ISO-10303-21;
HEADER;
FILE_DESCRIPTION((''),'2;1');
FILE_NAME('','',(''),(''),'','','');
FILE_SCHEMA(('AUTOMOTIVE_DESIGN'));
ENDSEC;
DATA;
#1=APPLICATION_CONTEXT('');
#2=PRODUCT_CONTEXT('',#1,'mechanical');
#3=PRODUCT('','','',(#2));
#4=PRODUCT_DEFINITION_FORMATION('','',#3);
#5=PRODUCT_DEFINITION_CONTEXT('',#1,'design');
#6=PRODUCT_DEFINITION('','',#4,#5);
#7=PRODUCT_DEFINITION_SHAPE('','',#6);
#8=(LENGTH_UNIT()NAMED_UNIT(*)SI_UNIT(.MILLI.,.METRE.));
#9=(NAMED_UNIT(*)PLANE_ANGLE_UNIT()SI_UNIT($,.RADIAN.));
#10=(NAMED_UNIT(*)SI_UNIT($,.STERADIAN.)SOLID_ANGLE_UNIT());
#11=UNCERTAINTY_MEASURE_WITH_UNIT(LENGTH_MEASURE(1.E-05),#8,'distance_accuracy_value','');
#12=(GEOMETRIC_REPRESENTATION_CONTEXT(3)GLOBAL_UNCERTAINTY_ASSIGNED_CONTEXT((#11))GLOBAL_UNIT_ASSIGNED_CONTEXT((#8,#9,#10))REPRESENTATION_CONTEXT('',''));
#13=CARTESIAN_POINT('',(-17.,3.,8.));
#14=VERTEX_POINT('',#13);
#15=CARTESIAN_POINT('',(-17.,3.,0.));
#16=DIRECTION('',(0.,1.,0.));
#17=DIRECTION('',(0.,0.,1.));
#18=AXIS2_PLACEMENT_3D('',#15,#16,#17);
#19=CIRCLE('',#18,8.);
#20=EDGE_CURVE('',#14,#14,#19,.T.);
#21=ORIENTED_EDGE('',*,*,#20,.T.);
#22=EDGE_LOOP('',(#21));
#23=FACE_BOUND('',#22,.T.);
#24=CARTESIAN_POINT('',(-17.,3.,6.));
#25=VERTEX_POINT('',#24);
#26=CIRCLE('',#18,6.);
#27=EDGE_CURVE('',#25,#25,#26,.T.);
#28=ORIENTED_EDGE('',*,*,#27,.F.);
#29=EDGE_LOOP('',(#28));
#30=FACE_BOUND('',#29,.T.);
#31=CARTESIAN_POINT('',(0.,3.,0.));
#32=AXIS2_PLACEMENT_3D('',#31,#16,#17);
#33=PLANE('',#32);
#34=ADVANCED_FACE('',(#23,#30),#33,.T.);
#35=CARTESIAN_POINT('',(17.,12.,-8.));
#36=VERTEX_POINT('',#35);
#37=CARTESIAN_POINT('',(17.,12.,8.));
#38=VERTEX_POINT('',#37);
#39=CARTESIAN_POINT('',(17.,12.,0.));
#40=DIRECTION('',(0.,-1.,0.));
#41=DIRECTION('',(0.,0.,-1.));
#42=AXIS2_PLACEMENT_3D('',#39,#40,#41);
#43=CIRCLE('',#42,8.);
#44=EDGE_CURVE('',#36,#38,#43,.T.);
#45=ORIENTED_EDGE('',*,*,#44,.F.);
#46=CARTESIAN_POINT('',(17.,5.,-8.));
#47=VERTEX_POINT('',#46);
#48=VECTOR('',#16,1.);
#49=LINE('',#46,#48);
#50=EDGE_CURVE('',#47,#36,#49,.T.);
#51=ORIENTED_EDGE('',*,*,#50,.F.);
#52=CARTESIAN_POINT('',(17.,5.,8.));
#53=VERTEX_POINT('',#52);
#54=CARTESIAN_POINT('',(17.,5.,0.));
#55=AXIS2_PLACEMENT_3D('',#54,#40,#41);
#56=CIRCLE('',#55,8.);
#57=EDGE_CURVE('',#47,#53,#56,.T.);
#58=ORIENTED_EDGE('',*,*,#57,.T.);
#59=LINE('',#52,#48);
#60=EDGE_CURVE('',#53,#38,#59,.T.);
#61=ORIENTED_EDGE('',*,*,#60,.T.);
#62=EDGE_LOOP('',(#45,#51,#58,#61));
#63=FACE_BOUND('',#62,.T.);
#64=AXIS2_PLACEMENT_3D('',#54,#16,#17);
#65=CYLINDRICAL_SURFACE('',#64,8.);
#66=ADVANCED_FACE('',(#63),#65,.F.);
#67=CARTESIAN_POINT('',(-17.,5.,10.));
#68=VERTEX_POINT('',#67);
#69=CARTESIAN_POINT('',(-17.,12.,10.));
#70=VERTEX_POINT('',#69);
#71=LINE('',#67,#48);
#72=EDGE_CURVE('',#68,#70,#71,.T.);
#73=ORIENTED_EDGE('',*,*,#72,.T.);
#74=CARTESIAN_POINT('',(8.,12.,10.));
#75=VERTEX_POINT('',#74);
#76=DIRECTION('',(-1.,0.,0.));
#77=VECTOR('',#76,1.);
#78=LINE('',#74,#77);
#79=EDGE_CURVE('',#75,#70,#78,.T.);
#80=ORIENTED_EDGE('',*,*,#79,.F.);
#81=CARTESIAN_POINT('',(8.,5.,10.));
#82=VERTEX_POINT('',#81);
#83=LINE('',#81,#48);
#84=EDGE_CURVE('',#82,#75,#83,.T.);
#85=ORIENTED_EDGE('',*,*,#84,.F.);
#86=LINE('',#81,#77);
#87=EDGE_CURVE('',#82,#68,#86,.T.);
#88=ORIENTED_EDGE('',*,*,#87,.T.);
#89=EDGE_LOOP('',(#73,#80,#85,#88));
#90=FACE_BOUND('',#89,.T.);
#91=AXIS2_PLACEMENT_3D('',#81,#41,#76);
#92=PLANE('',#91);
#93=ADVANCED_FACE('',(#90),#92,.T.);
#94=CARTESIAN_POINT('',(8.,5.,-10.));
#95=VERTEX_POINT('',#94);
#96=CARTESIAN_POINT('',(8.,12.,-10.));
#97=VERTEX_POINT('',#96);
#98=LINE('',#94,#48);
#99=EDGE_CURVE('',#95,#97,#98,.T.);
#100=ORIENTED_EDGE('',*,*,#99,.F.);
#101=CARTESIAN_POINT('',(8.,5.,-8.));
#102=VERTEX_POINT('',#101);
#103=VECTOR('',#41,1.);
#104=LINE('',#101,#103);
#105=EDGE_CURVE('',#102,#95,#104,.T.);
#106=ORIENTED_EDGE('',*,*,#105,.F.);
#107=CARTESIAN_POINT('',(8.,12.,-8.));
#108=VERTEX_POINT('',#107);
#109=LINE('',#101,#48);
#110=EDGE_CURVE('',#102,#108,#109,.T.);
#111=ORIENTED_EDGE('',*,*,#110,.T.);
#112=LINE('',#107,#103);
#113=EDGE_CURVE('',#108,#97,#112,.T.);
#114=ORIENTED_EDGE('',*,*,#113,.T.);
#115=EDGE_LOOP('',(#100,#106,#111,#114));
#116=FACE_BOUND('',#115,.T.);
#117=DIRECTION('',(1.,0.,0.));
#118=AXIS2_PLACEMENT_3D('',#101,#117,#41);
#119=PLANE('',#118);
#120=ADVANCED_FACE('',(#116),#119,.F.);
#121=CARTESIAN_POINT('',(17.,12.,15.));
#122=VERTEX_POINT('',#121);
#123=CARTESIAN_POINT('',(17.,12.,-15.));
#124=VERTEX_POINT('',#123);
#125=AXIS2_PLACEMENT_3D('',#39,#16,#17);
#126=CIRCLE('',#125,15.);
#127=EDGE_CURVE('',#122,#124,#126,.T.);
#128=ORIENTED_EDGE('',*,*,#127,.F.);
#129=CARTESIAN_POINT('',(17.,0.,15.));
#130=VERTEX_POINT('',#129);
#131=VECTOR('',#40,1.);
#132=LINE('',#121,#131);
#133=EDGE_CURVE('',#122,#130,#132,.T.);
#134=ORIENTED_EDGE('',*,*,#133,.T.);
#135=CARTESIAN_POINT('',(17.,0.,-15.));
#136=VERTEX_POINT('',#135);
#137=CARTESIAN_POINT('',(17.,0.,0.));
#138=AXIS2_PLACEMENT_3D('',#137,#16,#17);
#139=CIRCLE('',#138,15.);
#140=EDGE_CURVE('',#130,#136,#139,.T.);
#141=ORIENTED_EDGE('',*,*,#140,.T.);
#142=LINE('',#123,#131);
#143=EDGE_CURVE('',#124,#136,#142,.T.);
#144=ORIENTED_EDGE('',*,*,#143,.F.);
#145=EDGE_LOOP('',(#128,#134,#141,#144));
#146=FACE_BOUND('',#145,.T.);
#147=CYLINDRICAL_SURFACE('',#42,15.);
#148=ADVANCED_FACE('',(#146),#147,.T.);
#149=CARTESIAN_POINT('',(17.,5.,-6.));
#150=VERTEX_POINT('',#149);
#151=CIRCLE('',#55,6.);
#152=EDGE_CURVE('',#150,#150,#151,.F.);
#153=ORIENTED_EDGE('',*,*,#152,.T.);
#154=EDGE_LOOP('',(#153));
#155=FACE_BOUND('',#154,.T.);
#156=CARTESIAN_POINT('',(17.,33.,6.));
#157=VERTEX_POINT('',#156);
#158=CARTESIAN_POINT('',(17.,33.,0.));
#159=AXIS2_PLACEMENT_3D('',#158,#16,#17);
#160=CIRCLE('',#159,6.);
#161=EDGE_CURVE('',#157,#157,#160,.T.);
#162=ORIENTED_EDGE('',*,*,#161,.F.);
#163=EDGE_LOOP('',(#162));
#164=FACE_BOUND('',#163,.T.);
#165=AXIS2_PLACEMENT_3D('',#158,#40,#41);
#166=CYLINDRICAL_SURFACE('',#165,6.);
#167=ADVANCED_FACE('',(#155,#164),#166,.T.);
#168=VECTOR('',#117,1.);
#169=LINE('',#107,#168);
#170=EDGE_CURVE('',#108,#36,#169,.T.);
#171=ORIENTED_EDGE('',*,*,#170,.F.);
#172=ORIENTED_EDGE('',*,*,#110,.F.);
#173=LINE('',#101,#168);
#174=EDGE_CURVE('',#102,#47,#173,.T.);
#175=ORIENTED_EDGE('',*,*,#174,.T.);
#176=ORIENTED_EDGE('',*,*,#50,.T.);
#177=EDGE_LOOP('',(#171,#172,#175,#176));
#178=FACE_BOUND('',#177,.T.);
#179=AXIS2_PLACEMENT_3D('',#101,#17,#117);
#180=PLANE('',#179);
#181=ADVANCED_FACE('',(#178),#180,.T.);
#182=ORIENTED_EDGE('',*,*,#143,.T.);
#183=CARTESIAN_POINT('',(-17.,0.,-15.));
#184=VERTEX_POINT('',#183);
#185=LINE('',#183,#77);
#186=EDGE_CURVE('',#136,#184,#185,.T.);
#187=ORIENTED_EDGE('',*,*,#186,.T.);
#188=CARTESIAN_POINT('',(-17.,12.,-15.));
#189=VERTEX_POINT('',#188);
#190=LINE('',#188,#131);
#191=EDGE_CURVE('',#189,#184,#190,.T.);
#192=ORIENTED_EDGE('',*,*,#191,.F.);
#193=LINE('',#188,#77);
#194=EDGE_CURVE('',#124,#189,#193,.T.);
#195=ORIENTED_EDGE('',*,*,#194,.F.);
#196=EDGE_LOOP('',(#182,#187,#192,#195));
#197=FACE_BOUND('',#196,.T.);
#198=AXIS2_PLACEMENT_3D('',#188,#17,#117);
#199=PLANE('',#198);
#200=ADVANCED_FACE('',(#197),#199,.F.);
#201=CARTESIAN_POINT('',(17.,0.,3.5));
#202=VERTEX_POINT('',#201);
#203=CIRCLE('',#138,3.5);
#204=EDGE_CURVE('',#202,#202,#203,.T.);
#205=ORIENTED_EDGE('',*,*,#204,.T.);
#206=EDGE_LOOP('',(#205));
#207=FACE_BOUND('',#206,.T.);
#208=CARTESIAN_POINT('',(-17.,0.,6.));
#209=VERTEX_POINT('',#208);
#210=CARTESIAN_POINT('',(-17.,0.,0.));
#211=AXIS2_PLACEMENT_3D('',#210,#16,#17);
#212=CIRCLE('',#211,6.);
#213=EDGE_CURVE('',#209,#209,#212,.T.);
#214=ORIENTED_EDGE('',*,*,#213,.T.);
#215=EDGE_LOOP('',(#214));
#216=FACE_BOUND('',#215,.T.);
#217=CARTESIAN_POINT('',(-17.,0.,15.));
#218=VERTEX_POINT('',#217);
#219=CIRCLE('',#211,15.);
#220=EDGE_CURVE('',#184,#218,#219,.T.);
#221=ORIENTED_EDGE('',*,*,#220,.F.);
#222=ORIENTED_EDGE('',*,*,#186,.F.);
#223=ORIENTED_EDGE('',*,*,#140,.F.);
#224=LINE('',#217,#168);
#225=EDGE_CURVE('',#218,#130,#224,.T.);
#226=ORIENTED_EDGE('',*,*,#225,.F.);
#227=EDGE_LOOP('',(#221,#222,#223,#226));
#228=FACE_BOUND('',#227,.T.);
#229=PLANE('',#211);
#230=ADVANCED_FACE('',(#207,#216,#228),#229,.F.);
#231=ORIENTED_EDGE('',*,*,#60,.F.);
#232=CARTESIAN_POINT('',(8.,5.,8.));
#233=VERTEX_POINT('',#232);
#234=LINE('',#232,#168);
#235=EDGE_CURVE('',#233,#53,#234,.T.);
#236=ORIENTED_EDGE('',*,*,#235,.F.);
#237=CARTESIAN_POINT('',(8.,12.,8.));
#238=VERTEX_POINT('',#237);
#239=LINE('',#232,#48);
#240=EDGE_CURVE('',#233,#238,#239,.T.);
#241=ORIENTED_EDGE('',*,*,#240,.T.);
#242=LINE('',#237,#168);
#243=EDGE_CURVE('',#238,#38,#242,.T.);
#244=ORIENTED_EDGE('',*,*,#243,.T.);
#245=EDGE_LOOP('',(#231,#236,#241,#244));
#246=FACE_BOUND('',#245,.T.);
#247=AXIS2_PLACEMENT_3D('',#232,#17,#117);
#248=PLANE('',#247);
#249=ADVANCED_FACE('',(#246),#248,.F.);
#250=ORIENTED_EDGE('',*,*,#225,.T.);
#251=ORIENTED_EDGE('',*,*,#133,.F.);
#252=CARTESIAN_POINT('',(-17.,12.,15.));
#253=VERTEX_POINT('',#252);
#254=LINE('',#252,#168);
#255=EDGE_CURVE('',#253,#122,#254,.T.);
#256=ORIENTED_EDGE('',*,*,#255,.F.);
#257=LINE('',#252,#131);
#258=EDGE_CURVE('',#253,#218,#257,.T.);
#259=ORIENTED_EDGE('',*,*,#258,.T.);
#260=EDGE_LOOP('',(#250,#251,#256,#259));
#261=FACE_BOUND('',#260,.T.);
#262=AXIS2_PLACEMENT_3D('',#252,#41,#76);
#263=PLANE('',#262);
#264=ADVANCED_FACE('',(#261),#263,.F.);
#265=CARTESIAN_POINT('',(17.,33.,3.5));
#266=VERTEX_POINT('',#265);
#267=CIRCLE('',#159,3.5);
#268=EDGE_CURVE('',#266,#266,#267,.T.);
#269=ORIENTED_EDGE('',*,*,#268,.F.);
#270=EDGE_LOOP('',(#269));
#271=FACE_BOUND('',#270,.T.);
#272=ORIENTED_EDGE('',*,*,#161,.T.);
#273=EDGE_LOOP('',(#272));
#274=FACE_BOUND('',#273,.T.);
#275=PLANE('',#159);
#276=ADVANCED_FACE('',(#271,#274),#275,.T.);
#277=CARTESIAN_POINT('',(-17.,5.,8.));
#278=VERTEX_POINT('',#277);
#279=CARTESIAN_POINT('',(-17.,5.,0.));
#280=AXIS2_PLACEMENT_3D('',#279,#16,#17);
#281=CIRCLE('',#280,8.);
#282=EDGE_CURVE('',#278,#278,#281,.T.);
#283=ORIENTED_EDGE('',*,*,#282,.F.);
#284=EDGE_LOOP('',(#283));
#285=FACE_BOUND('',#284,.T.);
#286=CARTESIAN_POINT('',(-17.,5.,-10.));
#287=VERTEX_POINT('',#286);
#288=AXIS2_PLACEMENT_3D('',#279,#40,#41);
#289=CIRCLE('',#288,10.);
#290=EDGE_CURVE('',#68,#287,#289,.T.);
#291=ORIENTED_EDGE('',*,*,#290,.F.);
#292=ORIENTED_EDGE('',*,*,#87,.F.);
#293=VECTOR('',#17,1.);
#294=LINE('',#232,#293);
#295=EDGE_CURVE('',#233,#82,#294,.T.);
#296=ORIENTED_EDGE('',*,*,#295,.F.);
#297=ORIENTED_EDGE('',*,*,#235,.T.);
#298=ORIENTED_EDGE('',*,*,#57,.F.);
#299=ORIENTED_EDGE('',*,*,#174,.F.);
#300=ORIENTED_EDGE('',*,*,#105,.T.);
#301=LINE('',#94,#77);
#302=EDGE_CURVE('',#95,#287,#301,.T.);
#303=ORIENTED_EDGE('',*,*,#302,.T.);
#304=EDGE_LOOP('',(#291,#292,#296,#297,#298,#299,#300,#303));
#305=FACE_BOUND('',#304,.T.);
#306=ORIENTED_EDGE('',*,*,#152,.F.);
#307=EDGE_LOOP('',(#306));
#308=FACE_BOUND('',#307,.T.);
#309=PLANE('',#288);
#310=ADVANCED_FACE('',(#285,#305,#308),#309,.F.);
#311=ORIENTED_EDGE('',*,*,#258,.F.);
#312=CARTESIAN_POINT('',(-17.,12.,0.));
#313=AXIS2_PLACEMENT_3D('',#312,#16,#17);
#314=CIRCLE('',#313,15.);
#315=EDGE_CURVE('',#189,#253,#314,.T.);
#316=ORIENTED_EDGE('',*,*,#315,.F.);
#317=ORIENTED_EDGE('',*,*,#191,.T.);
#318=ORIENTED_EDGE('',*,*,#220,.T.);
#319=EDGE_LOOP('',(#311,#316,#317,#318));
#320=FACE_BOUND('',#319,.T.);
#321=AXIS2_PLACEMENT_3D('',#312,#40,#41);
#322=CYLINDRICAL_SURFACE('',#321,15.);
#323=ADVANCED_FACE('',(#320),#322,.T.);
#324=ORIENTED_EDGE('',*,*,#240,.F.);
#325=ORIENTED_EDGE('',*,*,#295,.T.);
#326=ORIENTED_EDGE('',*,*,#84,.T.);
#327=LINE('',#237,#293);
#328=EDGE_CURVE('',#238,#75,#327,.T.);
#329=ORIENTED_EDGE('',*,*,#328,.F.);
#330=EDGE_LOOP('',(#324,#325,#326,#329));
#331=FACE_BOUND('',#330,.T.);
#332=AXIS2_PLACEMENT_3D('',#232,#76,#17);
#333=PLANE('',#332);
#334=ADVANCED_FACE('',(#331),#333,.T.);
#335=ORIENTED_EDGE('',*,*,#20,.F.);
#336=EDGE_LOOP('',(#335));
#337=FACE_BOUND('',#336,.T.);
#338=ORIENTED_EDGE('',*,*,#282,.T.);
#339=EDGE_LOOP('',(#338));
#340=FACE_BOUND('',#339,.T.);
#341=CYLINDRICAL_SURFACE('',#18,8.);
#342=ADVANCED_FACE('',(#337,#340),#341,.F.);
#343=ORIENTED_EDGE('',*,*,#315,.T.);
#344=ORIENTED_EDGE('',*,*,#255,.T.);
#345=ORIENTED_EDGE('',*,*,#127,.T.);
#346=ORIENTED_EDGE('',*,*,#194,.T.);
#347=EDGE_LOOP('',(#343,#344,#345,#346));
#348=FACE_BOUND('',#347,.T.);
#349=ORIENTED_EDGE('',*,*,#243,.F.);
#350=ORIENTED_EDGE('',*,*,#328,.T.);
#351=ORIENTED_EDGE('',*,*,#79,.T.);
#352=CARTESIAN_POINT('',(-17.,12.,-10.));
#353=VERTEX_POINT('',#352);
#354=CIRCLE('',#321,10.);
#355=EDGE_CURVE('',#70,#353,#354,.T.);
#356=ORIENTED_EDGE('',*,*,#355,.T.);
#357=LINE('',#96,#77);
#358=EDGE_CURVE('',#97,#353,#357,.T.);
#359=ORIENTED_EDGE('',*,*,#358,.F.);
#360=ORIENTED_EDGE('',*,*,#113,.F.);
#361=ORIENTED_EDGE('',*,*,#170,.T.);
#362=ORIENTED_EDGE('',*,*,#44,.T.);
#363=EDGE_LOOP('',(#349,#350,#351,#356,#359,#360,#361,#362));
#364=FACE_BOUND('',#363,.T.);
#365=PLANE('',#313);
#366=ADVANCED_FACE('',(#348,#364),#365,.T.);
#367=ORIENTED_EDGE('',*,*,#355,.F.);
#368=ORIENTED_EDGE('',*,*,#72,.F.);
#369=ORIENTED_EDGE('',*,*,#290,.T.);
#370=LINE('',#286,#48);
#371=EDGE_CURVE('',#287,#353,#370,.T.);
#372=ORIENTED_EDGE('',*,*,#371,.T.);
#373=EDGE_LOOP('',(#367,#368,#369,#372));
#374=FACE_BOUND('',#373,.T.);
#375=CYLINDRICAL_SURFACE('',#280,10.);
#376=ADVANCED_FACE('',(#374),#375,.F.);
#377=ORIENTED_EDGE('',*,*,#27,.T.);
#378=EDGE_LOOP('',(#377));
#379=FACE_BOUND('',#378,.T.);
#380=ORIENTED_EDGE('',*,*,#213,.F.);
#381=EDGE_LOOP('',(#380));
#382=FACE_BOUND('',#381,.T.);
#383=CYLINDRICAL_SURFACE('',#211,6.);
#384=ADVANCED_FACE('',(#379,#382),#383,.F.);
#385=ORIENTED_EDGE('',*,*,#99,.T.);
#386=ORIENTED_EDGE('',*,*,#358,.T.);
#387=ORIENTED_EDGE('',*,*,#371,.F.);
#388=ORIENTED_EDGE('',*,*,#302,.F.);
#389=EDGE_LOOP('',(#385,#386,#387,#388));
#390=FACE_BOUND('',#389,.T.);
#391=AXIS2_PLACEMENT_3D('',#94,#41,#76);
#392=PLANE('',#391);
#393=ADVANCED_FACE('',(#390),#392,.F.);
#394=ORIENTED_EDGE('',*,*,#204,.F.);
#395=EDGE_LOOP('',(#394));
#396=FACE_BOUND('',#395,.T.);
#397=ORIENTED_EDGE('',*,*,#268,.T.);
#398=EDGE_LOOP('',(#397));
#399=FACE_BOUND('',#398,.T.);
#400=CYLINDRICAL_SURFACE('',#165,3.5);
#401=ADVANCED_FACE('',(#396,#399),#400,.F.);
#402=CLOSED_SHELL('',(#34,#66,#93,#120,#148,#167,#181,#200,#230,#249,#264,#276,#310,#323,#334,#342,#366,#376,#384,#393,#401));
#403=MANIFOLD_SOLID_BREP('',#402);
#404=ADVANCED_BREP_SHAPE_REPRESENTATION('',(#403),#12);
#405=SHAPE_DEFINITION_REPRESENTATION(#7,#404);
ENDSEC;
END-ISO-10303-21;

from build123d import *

# Parameters (mm, degrees)
BOSS_EXTRUDE1_DEPTH = 12
CUT_EXTRUDE1_DEPTH  = 7
SKETCH3_R           = 6
SKETCH3_R_2         = 3.5
BOSS_EXTRUDE2_DEPTH = 28
CUT_EXTRUDE2_START  = -28
SKETCH4_R           = 3.5
CUT_EXTRUDE2_DEPTH  = 28
SKETCH5_R           = 8
SKETCH5_R_2         = 6
CUT_EXTRUDE3_DEPTH  = 2
SKETCH5_3_R         = 6
CUT_EXTRUDE4_DEPTH  = 46.08880127


with BuildPart() as part:
    # Sketch1 → Boss-Extrude1 (new body)
    with BuildSketch(Plane(origin=(0, 0, 0), x_dir=(1, 0, 0), z_dir=(0, 1, 0))):
        with BuildLine():
            Line((-17, 15), (17, 15))
            ThreePointArc((17, 15), (32, 0), (17, -15))
            Line((17, -15), (-17, -15))
            ThreePointArc((-17, -15), (-32, 0), (-17, 15))
        make_face()
    extrude(amount=BOSS_EXTRUDE1_DEPTH)

    # Sketch2 → Cut-Extrude1 (cut)
    with BuildSketch(Plane(origin=(0, 12, 0), x_dir=(1, 0, 0), z_dir=(0, 1, 0))):
        with BuildLine():
            Line((8, 10), (-17, 10))
            ThreePointArc((-17, 10), (-27, 0), (-17, -10))
            Line((-17, -10), (8, -10))
            Line((8, -10), (8, -8))
            Line((8, -8), (17, -8))
            ThreePointArc((17, -8), (25, 0), (17, 8))
            Line((17, 8), (8, 8))
            Line((8, 8), (8, 10))
        make_face()
    extrude(amount=-CUT_EXTRUDE1_DEPTH, mode=Mode.SUBTRACT)

    # Sketch3 → Boss-Extrude2 (add)
    with BuildSketch(Plane(origin=(0, 5, 0), x_dir=(1, 0, 0), z_dir=(0, 1, 0))):
        with Locations((17, 0)):
            Circle(SKETCH3_R)
        with Locations((17, 0)):
            Circle(SKETCH3_R_2, mode=Mode.SUBTRACT)
    extrude(amount=BOSS_EXTRUDE2_DEPTH)

    # Sketch4 → Cut-Extrude2 (cut)
    with BuildSketch(Plane(origin=(0, 5, 0), x_dir=(1, 0, 0), z_dir=(0, 1, 0)).offset(CUT_EXTRUDE2_START)):
        with Locations((17, 0)):
            Circle(SKETCH4_R)
    extrude(amount=CUT_EXTRUDE2_DEPTH, mode=Mode.SUBTRACT)

    # Sketch5 → Cut-Extrude3 (cut)
    with BuildSketch(Plane(origin=(0, 5, 0), x_dir=(1, 0, 0), z_dir=(0, 1, 0))):
        with Locations((-17, 0)):
            Circle(SKETCH5_R)
        with Locations((-17, 0)):
            Circle(SKETCH5_R_2, mode=Mode.SUBTRACT)
    extrude(amount=-CUT_EXTRUDE3_DEPTH, mode=Mode.SUBTRACT)

    # Sketch5<3> → Cut-Extrude4 (cut, through all)
    with BuildSketch(Plane(origin=(0, 5, 0), x_dir=(1, 0, 0), z_dir=(0, 1, 0))):
        with Locations((-17, 0)):
            Circle(SKETCH5_3_R)
    extrude(amount=-CUT_EXTRUDE4_DEPTH, mode=Mode.SUBTRACT)


solid = part.part
